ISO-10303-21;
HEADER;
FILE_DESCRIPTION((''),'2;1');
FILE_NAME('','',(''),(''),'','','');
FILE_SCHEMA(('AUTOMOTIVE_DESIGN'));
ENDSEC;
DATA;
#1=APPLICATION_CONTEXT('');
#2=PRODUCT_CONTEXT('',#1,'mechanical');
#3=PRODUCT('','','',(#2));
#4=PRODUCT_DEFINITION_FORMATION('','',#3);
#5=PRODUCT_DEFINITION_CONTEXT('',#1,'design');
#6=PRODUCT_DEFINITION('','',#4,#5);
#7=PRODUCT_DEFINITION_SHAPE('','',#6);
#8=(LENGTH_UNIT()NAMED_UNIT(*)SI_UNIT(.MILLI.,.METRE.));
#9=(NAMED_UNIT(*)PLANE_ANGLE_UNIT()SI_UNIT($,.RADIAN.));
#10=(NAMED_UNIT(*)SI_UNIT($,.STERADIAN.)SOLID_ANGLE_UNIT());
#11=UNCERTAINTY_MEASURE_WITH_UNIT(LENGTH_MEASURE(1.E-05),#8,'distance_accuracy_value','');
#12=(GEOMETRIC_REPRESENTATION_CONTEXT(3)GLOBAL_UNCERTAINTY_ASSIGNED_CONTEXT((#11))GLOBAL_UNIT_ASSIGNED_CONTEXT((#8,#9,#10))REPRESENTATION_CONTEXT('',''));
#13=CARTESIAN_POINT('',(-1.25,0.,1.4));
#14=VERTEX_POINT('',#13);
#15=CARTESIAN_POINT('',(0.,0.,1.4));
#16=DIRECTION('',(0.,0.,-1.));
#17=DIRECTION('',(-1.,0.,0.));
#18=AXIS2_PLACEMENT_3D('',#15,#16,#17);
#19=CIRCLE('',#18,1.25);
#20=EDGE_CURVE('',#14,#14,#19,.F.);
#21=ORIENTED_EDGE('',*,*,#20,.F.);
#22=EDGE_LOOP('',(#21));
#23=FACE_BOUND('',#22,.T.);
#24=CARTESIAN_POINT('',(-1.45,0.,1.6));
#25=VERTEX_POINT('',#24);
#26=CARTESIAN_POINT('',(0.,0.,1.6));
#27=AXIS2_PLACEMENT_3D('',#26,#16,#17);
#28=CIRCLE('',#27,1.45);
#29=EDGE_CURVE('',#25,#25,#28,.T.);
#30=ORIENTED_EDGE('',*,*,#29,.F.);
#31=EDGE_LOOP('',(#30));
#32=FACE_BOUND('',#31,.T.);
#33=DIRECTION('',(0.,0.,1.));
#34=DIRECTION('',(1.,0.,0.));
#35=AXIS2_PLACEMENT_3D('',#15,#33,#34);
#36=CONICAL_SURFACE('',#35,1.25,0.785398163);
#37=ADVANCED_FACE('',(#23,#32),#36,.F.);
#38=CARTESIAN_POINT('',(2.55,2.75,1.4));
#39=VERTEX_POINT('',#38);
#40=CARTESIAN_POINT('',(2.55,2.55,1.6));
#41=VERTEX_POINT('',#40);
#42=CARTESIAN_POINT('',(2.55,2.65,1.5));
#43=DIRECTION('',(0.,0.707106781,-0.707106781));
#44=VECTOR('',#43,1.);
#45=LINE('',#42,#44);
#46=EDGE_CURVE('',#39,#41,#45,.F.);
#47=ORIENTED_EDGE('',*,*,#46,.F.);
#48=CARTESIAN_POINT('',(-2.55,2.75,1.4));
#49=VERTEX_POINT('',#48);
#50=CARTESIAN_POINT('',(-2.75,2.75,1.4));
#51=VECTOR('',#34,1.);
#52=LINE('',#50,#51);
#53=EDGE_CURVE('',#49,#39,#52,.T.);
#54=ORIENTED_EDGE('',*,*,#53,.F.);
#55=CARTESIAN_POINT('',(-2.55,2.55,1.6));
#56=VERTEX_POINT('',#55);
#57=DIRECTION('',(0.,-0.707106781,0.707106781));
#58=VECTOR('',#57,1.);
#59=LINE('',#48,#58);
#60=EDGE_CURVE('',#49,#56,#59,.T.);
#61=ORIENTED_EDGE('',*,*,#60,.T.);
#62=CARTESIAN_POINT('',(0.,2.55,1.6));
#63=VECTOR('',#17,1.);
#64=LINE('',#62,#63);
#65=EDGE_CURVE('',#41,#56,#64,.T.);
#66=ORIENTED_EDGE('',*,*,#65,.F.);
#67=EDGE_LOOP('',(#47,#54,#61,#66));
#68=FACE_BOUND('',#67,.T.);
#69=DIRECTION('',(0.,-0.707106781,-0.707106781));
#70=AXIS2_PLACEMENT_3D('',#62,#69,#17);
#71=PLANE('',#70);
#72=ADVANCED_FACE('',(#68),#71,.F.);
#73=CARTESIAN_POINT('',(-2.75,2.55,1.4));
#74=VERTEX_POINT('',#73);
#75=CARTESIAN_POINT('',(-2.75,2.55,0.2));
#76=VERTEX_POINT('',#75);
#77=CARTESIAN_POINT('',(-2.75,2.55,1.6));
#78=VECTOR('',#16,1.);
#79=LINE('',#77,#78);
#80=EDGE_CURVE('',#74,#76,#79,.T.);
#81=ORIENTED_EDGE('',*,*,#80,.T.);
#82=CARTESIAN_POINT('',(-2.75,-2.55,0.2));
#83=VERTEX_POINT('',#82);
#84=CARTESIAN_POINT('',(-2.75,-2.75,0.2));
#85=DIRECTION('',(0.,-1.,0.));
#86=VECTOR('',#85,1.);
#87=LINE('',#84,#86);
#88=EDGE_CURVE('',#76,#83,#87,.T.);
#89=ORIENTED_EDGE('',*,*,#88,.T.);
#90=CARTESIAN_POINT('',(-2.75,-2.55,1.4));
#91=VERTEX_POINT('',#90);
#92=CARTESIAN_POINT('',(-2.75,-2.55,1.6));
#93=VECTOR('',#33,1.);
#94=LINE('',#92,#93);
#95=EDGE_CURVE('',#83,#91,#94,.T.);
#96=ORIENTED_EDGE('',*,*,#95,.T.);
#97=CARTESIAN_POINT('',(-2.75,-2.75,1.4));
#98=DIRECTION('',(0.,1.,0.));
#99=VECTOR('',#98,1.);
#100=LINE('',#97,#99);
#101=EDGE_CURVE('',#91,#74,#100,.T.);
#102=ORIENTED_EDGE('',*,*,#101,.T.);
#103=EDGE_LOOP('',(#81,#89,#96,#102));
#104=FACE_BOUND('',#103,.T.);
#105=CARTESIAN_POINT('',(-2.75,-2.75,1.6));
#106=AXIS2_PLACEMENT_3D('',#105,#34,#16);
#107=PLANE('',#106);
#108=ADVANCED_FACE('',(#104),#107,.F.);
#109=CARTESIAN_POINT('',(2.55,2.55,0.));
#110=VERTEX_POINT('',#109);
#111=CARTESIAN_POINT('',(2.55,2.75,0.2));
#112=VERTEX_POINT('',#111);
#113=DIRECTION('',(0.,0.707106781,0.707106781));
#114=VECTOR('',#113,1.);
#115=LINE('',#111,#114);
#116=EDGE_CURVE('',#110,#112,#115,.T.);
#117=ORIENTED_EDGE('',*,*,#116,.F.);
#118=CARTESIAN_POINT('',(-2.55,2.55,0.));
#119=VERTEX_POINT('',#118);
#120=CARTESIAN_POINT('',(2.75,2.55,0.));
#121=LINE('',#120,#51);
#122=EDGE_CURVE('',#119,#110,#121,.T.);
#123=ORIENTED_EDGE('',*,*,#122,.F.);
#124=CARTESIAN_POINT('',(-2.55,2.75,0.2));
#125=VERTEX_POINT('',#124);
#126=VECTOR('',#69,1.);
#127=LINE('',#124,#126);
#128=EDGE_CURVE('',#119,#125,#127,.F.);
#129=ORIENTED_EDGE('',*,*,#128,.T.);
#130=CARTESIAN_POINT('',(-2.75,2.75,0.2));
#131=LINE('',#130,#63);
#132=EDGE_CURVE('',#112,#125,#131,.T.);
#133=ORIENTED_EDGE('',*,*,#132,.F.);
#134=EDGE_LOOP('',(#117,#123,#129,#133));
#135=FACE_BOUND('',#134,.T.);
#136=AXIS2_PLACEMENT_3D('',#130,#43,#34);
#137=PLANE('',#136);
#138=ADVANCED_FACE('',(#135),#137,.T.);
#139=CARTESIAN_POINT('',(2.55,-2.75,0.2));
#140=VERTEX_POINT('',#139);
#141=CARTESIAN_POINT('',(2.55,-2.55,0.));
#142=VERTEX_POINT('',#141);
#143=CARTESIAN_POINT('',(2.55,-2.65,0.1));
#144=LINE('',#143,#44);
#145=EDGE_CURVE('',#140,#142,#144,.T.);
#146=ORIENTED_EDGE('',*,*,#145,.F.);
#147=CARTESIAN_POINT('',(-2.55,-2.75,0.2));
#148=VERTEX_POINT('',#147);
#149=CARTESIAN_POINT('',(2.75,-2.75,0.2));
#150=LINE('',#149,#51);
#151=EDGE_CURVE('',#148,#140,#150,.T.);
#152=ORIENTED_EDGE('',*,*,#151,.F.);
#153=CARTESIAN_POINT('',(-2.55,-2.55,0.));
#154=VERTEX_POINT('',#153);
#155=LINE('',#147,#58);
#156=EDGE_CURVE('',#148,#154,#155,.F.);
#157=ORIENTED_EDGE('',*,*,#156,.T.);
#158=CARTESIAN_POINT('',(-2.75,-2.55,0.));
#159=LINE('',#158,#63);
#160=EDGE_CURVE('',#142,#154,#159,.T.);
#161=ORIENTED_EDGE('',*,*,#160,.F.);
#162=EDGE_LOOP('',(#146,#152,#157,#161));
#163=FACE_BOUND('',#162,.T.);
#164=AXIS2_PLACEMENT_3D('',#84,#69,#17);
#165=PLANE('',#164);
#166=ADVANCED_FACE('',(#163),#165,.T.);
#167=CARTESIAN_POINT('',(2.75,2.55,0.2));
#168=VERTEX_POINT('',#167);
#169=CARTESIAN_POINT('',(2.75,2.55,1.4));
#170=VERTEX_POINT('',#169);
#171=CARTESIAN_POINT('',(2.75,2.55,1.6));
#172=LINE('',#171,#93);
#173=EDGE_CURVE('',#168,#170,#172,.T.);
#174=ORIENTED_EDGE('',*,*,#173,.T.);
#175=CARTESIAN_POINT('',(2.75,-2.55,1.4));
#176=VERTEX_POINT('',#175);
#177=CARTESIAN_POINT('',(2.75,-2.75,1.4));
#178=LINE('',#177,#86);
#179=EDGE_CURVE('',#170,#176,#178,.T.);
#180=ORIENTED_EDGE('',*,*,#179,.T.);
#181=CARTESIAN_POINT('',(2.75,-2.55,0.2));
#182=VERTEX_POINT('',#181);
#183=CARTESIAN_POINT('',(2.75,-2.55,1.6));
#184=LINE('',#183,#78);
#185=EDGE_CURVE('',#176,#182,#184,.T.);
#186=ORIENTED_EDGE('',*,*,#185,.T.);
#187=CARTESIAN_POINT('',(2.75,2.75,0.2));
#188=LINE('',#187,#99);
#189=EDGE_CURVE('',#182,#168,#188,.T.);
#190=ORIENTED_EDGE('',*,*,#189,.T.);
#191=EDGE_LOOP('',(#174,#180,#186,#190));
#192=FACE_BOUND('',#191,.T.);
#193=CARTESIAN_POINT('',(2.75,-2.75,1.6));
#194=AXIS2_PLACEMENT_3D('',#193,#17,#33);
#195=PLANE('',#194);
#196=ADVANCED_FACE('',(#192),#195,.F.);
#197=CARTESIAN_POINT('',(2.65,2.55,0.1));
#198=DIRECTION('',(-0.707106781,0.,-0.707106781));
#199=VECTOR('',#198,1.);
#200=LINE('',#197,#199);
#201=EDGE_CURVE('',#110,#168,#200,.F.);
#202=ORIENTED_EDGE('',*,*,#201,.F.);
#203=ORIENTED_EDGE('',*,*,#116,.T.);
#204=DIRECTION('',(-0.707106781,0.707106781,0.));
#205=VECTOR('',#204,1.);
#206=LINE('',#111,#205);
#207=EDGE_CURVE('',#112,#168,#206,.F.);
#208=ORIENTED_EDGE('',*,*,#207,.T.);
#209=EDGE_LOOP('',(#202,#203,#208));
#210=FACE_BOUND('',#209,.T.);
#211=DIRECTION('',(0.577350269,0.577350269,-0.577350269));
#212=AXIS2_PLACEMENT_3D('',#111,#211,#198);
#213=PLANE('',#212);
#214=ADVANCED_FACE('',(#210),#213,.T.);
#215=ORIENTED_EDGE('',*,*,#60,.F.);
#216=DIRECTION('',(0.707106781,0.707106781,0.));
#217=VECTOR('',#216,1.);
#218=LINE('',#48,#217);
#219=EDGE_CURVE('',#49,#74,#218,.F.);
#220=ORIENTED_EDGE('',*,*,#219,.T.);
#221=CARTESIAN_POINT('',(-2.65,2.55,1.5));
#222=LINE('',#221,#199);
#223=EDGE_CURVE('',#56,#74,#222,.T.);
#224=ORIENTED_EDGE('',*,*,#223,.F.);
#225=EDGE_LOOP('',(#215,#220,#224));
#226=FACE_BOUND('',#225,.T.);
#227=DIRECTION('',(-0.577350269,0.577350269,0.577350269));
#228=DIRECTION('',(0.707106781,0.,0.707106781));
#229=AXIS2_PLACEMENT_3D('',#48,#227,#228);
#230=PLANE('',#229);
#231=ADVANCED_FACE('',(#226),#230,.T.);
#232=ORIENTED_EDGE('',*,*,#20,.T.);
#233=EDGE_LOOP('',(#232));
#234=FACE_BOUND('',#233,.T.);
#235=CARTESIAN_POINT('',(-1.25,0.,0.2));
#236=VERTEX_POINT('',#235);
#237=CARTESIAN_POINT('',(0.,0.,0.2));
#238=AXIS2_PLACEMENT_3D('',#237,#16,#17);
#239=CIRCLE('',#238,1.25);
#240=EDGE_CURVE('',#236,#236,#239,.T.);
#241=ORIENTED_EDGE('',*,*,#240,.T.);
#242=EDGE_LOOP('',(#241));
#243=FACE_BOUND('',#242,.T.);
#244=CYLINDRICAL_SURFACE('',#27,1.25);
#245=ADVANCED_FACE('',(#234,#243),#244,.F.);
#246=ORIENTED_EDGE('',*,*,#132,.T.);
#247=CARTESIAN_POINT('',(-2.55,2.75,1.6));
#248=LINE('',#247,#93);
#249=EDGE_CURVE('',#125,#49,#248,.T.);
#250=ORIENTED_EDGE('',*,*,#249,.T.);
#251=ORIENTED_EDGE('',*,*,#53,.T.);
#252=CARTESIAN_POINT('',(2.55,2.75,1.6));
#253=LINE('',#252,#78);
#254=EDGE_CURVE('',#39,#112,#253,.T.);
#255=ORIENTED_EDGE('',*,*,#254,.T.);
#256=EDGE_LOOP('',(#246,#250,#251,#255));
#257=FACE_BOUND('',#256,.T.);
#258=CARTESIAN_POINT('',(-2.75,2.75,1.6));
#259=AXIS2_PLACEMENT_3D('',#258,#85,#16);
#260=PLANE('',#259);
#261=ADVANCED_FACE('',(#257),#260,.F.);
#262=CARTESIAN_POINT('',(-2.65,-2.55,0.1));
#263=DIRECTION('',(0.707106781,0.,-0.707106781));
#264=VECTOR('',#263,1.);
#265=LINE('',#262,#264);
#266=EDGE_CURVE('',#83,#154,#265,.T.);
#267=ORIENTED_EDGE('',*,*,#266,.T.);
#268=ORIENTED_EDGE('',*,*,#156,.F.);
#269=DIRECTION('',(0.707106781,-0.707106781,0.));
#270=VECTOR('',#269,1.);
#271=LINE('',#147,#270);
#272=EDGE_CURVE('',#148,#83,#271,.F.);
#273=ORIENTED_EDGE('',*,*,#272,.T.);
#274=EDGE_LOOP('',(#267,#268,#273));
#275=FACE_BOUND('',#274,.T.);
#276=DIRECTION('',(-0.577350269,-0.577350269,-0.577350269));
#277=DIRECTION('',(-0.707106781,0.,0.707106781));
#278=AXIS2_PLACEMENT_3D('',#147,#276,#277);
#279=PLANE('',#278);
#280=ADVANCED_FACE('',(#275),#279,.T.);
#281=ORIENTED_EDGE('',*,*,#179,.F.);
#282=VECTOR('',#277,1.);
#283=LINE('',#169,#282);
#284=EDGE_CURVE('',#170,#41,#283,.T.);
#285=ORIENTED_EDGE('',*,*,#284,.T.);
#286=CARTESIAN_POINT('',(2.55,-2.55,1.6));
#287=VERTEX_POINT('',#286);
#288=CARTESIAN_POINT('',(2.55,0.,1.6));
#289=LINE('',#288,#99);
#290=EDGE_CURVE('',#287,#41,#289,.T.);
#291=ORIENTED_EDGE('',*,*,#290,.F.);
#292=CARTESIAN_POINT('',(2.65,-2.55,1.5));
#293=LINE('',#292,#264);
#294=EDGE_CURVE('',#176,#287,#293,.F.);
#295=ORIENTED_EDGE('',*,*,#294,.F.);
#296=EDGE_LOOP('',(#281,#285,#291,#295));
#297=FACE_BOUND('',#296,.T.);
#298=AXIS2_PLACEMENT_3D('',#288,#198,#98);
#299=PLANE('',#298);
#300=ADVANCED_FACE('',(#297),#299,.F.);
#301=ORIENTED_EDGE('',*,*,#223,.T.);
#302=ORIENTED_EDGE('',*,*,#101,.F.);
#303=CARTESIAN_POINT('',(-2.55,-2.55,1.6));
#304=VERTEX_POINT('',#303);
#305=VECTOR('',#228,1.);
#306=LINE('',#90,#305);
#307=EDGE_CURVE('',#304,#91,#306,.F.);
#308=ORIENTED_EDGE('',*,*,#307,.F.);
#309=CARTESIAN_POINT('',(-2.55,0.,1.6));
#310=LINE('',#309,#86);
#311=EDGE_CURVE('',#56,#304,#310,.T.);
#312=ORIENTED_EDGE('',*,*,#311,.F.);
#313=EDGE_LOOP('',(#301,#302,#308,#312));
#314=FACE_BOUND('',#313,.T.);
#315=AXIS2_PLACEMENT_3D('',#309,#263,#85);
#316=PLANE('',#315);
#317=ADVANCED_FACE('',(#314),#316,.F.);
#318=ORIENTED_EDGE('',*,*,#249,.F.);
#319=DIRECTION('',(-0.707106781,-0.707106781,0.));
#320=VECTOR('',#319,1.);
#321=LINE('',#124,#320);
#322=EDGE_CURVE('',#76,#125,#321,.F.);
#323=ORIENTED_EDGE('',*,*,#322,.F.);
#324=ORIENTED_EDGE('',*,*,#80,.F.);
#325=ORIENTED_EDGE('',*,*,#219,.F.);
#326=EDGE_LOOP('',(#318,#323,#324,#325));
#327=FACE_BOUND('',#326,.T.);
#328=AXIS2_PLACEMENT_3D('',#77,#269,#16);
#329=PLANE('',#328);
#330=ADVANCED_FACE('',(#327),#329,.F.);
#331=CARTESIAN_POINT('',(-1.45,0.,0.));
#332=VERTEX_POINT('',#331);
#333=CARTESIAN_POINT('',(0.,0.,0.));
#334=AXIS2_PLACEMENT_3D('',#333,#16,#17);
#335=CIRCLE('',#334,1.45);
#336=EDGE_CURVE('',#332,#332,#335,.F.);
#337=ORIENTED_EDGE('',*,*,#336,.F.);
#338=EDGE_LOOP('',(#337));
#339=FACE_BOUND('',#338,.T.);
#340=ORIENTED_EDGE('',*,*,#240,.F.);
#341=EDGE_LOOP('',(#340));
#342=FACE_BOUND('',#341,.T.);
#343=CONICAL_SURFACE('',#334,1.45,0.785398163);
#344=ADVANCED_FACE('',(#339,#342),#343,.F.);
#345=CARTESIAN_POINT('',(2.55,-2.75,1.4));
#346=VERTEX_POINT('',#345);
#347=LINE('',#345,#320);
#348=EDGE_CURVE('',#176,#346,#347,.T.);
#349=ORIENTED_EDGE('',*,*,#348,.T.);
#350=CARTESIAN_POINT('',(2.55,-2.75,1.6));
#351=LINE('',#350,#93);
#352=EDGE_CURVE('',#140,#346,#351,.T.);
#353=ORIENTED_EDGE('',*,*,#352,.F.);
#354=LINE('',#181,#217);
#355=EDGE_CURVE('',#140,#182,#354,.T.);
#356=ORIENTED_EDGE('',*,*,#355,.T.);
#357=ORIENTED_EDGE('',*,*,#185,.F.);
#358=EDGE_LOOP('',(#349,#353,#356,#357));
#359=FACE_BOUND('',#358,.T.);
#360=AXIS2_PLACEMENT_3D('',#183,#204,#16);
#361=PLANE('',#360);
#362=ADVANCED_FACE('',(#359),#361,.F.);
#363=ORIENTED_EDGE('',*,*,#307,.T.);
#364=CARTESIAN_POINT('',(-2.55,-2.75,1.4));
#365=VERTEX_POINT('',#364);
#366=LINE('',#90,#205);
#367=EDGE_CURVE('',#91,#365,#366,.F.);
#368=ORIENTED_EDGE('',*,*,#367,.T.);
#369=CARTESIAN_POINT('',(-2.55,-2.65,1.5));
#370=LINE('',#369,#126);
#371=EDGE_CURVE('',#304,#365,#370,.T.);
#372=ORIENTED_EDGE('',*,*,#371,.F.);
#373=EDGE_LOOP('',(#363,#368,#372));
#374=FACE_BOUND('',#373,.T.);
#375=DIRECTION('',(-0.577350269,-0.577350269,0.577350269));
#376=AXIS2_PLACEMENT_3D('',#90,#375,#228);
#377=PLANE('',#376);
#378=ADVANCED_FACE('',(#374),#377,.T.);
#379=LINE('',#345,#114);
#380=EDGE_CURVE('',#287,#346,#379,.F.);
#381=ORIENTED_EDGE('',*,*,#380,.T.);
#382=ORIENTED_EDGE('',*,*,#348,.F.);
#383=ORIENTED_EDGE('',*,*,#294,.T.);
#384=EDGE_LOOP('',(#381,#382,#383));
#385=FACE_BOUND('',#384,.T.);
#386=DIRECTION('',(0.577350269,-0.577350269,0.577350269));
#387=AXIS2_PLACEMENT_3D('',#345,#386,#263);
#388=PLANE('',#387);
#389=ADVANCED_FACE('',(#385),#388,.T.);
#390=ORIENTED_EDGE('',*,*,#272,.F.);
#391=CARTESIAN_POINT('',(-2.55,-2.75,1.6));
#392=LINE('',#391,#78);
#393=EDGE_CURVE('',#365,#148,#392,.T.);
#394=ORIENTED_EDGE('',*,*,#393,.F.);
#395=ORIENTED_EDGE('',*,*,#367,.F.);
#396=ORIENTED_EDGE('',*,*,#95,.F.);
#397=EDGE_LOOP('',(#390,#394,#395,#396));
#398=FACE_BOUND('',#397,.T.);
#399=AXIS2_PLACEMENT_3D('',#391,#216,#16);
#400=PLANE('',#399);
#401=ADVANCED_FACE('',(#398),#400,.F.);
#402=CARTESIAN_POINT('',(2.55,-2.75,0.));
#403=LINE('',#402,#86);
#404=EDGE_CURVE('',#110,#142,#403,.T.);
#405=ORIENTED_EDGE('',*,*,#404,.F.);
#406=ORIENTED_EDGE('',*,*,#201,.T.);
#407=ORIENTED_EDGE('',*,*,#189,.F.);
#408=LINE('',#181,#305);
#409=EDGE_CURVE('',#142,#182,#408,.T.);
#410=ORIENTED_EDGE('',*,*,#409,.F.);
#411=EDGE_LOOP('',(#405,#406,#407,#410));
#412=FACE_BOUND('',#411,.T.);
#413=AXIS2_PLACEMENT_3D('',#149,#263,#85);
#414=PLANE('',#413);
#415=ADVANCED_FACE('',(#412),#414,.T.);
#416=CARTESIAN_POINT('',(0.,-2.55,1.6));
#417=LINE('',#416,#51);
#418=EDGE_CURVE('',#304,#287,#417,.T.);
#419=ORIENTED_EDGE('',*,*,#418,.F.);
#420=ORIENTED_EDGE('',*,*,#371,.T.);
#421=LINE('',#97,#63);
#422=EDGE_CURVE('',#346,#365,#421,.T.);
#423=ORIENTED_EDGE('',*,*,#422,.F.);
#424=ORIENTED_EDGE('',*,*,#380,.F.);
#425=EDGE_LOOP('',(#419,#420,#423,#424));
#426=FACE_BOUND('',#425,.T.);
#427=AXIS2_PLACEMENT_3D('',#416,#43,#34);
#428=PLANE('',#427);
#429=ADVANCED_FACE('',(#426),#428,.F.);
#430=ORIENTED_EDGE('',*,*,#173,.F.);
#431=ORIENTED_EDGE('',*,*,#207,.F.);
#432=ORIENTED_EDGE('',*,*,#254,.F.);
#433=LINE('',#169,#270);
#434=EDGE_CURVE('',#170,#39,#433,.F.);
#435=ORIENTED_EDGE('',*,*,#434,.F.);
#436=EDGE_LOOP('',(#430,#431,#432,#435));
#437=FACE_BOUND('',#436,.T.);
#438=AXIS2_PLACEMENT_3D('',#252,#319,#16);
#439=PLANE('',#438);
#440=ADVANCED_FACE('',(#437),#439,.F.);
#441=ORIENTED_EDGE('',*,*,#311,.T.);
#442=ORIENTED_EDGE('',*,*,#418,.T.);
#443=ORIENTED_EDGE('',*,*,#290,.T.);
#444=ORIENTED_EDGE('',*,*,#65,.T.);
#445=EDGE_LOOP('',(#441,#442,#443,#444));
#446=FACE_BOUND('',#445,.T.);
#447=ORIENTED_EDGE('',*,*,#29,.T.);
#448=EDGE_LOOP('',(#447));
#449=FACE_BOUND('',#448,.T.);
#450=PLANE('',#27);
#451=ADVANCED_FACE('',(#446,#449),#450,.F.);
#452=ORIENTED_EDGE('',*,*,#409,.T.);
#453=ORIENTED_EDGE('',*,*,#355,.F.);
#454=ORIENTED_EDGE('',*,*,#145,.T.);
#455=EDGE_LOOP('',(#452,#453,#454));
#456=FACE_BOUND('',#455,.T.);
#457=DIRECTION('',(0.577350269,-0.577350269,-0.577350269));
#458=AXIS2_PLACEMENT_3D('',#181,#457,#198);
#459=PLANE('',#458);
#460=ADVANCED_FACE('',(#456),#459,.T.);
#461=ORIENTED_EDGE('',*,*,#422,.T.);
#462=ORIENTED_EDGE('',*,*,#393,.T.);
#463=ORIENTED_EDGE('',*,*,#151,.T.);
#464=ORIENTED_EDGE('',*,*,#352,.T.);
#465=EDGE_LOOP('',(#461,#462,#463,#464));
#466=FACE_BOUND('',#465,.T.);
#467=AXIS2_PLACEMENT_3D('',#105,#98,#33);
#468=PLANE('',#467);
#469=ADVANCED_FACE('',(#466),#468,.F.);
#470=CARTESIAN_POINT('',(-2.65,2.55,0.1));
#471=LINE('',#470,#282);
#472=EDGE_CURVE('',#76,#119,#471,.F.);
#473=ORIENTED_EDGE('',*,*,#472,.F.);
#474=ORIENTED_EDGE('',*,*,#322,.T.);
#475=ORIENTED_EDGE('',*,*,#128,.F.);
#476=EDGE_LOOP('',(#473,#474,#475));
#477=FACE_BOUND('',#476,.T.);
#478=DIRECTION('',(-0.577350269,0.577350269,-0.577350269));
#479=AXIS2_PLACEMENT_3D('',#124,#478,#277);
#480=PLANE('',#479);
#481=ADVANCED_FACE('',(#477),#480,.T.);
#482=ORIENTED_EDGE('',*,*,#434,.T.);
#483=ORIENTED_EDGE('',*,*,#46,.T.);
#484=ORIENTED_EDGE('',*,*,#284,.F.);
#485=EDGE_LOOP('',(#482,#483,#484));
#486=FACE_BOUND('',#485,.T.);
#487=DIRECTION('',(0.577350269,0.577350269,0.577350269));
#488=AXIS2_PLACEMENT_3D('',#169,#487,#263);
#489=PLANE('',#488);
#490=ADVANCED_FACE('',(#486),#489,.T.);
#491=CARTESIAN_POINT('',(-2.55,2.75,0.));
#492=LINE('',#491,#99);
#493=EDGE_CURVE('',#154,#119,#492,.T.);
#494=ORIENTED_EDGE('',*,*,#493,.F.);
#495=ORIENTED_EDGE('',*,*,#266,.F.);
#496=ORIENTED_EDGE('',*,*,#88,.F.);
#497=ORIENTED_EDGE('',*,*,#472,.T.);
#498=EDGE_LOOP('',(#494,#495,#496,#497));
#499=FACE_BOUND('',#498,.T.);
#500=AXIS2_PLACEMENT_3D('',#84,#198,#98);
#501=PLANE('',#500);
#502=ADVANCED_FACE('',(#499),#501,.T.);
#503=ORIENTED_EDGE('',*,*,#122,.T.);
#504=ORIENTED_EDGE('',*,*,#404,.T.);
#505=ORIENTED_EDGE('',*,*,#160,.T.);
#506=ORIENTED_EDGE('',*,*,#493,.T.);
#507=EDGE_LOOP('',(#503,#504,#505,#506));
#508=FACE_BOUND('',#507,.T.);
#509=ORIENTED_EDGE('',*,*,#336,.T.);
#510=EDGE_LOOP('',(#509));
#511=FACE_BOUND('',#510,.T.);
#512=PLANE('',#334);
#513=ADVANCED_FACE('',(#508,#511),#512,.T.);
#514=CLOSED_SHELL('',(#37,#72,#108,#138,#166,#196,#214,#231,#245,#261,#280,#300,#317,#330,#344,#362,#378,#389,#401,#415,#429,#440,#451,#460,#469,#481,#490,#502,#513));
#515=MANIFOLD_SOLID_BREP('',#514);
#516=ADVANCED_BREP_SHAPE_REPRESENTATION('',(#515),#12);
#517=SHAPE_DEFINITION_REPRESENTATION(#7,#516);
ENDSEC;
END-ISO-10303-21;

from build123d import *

# Parameters (mm, degrees)
SKETCH1_W           = 5.5
SKETCH1_H           = 5.5
SKETCH1_R           = 1.25
BOSS_EXTRUDE1_DEPTH = 1.6
CHAMFER1_SIZE       = 0.2


with BuildPart() as part:
    # Sketch1 → Boss-Extrude1 (new body)
    with BuildSketch(Plane.XY):
        Rectangle(SKETCH1_W, SKETCH1_H)
        Circle(SKETCH1_R, mode=Mode.SUBTRACT)
    extrude(amount=BOSS_EXTRUDE1_DEPTH)

    # Chamfer1
    chamfer1_edges = [part.edges().sort_by_distance(p)[0] for p in [
        (-2.75, 0, 1.6),
        (-1.25, 0, 0),
        (-1.25, 0, 1.6),
        (0, -2.75, 1.6),
        (2.75, 0, 1.6),
        (0, -2.75, 0),
        (-2.75, 0, 0),
        (0, 2.75, 0),
        (2.75, 0, 0),
        (0, 2.75, 1.6),
        (2.75, -2.75, 0.8),
        (-2.75, -2.75, 0.8),
        (-2.75, 2.75, 0.8),
        (2.75, 2.75, 0.8),
    ]]
    chamfer(chamfer1_edges, length=CHAMFER1_SIZE)


solid = part.part
